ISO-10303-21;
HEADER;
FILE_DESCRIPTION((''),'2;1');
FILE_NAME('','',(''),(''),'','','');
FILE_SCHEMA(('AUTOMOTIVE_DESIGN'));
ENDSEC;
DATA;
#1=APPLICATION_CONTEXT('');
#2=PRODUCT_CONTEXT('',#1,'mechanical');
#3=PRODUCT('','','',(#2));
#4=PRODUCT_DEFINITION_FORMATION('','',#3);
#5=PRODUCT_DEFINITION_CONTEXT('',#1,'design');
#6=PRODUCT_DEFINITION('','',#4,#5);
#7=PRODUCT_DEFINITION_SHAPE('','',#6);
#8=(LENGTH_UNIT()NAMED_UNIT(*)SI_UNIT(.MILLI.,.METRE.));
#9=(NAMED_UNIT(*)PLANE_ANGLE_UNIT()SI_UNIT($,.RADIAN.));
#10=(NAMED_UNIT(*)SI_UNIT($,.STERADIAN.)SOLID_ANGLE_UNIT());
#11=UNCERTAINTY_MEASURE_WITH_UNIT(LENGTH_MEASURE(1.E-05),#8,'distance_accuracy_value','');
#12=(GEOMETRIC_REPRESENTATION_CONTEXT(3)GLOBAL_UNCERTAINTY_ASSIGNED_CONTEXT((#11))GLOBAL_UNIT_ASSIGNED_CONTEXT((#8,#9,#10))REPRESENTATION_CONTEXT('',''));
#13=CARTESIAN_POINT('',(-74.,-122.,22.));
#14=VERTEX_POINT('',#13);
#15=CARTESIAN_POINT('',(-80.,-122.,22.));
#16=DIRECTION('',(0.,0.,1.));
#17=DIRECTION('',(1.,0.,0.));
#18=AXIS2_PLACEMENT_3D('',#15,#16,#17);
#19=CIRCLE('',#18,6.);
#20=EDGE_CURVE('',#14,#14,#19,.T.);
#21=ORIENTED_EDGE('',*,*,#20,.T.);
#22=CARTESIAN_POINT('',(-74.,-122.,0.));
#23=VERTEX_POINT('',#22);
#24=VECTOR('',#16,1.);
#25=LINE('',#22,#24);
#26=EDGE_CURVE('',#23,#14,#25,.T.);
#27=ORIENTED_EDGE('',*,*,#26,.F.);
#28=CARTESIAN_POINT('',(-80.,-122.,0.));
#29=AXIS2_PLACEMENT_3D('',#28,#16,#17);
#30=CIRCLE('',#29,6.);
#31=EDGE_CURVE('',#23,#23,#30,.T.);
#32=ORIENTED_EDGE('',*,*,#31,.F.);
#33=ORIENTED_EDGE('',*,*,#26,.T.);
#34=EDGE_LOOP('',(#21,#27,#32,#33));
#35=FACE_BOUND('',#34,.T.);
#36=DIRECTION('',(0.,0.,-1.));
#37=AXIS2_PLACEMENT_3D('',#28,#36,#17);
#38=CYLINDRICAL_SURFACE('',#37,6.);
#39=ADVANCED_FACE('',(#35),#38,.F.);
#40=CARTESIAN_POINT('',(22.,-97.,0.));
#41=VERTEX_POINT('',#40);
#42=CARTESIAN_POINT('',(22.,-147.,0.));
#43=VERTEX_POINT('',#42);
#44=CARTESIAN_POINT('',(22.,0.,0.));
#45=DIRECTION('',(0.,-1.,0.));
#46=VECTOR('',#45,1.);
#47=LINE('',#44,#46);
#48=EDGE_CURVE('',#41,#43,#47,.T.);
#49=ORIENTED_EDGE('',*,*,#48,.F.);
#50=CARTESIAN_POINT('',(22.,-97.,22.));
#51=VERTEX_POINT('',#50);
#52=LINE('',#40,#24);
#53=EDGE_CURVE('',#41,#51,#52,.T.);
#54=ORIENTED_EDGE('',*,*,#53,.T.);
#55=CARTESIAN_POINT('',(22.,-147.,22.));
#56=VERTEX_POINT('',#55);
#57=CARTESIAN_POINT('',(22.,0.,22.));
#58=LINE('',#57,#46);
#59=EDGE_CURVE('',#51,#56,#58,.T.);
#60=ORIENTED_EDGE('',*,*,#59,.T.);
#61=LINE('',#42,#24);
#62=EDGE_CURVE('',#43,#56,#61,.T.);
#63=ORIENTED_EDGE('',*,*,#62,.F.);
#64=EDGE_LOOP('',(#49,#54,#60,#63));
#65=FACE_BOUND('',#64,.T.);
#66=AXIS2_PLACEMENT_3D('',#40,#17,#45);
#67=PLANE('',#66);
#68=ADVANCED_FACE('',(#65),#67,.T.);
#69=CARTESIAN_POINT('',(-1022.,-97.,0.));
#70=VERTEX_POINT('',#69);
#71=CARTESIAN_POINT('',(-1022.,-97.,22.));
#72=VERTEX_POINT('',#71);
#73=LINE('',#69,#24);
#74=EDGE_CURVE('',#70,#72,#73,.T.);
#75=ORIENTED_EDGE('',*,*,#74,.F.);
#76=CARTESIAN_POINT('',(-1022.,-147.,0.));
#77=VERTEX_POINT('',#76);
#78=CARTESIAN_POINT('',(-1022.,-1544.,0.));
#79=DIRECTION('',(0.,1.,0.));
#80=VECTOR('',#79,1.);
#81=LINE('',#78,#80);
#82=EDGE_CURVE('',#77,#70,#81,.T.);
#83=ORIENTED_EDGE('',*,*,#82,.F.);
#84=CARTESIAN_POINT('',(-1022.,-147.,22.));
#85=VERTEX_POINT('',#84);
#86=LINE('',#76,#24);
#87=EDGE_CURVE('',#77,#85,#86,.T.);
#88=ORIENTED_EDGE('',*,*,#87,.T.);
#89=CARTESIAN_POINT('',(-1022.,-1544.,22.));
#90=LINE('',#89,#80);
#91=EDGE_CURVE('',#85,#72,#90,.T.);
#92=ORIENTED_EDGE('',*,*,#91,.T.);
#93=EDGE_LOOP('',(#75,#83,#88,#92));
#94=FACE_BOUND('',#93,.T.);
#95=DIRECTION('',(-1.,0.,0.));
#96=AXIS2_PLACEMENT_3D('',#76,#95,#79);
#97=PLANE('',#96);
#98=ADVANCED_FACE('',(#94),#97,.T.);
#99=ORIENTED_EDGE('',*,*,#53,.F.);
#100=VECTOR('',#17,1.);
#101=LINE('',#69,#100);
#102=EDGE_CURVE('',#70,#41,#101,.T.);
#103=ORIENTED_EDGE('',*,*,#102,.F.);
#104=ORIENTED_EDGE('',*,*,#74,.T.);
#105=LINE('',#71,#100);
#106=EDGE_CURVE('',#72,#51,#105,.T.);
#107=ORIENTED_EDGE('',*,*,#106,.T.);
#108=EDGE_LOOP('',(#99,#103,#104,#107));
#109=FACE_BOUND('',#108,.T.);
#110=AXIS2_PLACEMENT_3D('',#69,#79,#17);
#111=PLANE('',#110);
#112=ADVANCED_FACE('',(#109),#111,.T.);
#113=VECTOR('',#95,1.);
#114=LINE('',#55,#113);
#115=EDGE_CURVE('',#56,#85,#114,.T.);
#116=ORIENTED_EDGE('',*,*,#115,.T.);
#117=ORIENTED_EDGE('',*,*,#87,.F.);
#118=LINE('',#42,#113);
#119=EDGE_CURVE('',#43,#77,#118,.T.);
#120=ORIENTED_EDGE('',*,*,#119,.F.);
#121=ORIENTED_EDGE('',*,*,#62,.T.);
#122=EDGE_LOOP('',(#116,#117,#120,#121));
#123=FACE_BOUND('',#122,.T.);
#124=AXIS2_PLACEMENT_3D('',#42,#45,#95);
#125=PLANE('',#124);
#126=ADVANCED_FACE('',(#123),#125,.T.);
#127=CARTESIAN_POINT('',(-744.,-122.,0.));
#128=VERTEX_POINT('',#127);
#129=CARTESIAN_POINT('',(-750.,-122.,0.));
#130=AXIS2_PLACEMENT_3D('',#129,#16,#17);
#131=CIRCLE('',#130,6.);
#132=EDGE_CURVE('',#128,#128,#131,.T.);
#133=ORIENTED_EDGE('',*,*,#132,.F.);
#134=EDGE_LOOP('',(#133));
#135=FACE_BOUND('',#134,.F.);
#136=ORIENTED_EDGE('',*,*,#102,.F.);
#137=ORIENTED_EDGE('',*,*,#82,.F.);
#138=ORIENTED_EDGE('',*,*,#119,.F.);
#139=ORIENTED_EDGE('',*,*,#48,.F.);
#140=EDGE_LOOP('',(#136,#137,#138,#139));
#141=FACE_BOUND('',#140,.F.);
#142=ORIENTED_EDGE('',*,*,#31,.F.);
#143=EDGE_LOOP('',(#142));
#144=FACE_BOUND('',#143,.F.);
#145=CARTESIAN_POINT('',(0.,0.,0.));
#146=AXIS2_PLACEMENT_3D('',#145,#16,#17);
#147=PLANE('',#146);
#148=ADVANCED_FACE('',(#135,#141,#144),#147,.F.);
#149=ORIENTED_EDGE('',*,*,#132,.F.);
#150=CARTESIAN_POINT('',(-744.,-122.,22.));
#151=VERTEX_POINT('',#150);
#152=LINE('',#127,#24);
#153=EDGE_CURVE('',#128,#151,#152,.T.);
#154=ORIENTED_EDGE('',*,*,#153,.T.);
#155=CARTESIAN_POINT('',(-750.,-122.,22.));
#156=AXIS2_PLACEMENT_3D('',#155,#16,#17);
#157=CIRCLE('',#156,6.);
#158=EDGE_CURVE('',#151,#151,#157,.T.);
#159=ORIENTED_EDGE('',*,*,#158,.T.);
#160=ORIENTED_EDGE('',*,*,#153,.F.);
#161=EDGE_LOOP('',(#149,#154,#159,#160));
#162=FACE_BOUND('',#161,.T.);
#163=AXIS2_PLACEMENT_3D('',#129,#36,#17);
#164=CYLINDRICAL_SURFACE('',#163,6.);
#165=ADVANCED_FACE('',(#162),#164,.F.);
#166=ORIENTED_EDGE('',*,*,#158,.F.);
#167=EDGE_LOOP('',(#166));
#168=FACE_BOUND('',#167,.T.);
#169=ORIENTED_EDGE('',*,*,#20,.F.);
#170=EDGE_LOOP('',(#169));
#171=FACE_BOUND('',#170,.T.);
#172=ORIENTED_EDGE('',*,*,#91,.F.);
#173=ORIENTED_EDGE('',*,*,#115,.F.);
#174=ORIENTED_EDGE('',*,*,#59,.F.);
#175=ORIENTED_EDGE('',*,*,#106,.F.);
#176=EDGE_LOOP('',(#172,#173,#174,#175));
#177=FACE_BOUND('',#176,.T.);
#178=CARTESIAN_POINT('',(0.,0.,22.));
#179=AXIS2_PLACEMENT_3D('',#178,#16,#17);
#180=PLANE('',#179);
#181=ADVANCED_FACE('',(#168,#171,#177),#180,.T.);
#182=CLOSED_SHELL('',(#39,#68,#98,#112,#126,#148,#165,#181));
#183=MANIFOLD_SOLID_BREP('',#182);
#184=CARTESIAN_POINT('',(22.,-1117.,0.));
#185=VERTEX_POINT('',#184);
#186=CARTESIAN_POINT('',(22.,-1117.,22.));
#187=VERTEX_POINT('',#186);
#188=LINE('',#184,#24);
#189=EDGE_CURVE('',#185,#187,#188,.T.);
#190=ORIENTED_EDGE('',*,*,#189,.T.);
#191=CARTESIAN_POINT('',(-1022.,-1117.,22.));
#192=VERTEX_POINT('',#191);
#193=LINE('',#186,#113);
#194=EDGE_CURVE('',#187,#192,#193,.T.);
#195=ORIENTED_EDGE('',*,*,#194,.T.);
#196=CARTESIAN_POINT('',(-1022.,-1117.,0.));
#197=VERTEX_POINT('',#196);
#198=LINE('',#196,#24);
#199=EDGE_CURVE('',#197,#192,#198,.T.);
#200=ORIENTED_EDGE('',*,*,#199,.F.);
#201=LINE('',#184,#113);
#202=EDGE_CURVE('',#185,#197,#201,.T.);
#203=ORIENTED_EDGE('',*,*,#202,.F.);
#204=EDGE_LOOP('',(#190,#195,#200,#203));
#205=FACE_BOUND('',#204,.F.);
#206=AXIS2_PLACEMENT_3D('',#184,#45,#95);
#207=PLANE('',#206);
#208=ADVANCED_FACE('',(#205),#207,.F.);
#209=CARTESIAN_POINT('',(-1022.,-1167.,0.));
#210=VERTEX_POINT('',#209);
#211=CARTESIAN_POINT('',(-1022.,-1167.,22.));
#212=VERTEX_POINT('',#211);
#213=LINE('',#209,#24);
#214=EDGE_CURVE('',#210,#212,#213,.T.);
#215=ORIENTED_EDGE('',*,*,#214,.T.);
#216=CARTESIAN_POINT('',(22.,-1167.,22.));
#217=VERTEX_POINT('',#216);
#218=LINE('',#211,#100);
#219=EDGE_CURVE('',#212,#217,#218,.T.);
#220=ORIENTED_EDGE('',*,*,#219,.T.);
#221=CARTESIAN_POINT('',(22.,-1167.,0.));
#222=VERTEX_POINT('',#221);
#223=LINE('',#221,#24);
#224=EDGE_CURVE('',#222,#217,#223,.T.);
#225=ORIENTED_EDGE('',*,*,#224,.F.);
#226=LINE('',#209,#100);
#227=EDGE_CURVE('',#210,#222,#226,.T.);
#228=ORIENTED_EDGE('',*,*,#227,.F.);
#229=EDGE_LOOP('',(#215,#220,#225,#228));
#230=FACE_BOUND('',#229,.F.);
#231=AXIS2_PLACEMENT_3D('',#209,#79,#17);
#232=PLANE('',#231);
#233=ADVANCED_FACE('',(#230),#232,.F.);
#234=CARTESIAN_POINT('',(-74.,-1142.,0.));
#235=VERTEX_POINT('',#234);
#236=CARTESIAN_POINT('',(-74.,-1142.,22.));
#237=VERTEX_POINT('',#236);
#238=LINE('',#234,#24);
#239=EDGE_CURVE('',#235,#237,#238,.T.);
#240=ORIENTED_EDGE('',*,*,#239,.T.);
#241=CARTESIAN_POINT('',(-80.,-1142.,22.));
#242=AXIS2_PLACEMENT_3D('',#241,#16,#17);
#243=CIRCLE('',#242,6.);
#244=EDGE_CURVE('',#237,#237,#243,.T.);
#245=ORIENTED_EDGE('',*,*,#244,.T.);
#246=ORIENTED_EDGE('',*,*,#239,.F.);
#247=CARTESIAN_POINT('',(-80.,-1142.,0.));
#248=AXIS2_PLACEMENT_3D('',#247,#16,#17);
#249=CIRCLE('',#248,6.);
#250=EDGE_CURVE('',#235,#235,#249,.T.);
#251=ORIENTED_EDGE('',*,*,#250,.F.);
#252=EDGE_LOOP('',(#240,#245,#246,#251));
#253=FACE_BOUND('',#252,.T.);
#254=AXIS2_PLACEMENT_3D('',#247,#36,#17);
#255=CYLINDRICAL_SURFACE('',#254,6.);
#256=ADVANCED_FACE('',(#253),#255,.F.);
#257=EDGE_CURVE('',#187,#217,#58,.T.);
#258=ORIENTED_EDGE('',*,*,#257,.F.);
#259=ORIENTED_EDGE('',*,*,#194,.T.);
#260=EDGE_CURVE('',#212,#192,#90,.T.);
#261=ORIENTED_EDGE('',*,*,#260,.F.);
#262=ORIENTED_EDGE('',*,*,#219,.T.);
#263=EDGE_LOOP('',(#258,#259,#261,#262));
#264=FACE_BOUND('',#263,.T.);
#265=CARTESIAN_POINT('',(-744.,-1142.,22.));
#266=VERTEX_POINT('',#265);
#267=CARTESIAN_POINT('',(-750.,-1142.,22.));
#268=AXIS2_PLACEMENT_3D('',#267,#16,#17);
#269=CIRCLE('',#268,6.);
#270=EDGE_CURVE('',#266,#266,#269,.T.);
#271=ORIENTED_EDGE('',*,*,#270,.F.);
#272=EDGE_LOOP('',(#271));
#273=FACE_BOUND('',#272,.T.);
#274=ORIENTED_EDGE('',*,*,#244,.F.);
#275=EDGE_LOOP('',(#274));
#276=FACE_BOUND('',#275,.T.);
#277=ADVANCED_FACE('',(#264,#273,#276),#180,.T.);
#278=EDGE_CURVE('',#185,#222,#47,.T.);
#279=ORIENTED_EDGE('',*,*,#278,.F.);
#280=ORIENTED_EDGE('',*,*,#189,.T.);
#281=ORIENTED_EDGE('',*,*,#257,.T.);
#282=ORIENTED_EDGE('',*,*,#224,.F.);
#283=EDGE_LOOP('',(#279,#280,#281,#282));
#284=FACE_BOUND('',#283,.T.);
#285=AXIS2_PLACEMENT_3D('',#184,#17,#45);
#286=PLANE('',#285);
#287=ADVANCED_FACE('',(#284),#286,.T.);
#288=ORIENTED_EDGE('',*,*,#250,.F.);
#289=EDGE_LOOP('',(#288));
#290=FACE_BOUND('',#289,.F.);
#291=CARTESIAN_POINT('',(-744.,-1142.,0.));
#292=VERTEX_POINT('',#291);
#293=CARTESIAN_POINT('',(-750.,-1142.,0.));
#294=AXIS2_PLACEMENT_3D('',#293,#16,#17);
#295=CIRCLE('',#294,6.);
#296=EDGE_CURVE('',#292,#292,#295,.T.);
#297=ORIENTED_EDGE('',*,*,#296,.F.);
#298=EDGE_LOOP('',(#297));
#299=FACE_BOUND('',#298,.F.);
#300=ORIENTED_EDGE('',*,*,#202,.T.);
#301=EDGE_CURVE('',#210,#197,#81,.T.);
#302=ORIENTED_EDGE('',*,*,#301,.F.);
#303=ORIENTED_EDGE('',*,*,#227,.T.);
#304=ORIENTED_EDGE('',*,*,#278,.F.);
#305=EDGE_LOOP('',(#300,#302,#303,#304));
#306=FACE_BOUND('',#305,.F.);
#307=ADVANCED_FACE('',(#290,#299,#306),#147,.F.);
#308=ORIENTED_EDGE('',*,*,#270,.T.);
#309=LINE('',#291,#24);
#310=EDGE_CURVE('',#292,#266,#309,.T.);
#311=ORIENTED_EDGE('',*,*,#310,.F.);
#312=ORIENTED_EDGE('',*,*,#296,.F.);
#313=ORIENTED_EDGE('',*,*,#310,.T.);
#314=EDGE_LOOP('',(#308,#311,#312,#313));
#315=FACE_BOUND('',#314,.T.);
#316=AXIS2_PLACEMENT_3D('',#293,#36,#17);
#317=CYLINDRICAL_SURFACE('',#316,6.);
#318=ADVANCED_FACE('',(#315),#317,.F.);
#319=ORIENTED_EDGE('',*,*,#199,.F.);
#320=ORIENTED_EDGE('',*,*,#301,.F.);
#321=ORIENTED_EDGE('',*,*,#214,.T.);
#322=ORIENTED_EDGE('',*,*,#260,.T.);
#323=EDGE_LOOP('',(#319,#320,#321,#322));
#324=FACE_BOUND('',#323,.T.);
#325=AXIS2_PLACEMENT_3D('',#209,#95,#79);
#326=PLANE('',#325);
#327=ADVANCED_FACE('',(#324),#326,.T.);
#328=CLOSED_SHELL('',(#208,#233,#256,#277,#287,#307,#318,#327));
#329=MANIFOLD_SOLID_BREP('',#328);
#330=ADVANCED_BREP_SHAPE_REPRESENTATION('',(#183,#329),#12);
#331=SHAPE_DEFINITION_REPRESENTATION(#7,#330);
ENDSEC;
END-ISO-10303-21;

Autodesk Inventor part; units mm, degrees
ref_plane "YZ Plane" through (0, 0, 0) normal (1, 0, 0) x (0, 1, 0)
ref_plane "XZ Plane" through (0, 0, 0) normal (0, 1, 0) x (-1, 0, 0)
ref_plane "XY Plane" through (0, 0, 0) normal (0, 0, 1) x (1, 0, 0)
sketch "Sketch1" plane through (0, 0, 0) normal (0, 0, 1) x (1, 0, 0)
  line L0 (22, 0) -> (22, -1544) projected
  circle A0 centre (-290, -632) radius 55 projected
  line L1 (-1022, -1544) -> (-1022, 0) projected
  line L2 (22, -147) -> (-1022, -147)
  line L3 (-1022, -147) -> (-1022, -97)
  line L4 (-1022, -97) -> (22, -97)
  line L5 (22, -97) -> (22, -147)
  line L6 (-290, -632) -> (22, -632) construction
  line L7 (-1022, -122) -> (22, -122) construction
  circle A1 centre (-80, -122) radius 6
  circle A2 centre (-750, -122) radius 6
  line L8 (22, -1117) -> (-1022, -1117)
  line L9 (-1022, -1117) -> (-1022, -1167)
  line L10 (-1022, -1167) -> (22, -1167)
  line L11 (22, -1167) -> (22, -1117)
  line L12 (-1022, -1142) -> (22, -1142) construction
  circle A3 centre (-80, -1142) radius 6
  circle A4 centre (-750, -1142) radius 6
  point P0 (0, 0)
  dimension "d0" = 50
  dimension "d1" = 510
  dimension "d2" = 12
  dimension "d3" = 210
  dimension "d7" = 12
  dimension "d8" = 670
extrude "Extrusion1" add sketch "Sketch1" along normal blind 22 contours L0 L2 L1 L4 | L0 L10 L1 L8
properties part number "Node_location_jig"
